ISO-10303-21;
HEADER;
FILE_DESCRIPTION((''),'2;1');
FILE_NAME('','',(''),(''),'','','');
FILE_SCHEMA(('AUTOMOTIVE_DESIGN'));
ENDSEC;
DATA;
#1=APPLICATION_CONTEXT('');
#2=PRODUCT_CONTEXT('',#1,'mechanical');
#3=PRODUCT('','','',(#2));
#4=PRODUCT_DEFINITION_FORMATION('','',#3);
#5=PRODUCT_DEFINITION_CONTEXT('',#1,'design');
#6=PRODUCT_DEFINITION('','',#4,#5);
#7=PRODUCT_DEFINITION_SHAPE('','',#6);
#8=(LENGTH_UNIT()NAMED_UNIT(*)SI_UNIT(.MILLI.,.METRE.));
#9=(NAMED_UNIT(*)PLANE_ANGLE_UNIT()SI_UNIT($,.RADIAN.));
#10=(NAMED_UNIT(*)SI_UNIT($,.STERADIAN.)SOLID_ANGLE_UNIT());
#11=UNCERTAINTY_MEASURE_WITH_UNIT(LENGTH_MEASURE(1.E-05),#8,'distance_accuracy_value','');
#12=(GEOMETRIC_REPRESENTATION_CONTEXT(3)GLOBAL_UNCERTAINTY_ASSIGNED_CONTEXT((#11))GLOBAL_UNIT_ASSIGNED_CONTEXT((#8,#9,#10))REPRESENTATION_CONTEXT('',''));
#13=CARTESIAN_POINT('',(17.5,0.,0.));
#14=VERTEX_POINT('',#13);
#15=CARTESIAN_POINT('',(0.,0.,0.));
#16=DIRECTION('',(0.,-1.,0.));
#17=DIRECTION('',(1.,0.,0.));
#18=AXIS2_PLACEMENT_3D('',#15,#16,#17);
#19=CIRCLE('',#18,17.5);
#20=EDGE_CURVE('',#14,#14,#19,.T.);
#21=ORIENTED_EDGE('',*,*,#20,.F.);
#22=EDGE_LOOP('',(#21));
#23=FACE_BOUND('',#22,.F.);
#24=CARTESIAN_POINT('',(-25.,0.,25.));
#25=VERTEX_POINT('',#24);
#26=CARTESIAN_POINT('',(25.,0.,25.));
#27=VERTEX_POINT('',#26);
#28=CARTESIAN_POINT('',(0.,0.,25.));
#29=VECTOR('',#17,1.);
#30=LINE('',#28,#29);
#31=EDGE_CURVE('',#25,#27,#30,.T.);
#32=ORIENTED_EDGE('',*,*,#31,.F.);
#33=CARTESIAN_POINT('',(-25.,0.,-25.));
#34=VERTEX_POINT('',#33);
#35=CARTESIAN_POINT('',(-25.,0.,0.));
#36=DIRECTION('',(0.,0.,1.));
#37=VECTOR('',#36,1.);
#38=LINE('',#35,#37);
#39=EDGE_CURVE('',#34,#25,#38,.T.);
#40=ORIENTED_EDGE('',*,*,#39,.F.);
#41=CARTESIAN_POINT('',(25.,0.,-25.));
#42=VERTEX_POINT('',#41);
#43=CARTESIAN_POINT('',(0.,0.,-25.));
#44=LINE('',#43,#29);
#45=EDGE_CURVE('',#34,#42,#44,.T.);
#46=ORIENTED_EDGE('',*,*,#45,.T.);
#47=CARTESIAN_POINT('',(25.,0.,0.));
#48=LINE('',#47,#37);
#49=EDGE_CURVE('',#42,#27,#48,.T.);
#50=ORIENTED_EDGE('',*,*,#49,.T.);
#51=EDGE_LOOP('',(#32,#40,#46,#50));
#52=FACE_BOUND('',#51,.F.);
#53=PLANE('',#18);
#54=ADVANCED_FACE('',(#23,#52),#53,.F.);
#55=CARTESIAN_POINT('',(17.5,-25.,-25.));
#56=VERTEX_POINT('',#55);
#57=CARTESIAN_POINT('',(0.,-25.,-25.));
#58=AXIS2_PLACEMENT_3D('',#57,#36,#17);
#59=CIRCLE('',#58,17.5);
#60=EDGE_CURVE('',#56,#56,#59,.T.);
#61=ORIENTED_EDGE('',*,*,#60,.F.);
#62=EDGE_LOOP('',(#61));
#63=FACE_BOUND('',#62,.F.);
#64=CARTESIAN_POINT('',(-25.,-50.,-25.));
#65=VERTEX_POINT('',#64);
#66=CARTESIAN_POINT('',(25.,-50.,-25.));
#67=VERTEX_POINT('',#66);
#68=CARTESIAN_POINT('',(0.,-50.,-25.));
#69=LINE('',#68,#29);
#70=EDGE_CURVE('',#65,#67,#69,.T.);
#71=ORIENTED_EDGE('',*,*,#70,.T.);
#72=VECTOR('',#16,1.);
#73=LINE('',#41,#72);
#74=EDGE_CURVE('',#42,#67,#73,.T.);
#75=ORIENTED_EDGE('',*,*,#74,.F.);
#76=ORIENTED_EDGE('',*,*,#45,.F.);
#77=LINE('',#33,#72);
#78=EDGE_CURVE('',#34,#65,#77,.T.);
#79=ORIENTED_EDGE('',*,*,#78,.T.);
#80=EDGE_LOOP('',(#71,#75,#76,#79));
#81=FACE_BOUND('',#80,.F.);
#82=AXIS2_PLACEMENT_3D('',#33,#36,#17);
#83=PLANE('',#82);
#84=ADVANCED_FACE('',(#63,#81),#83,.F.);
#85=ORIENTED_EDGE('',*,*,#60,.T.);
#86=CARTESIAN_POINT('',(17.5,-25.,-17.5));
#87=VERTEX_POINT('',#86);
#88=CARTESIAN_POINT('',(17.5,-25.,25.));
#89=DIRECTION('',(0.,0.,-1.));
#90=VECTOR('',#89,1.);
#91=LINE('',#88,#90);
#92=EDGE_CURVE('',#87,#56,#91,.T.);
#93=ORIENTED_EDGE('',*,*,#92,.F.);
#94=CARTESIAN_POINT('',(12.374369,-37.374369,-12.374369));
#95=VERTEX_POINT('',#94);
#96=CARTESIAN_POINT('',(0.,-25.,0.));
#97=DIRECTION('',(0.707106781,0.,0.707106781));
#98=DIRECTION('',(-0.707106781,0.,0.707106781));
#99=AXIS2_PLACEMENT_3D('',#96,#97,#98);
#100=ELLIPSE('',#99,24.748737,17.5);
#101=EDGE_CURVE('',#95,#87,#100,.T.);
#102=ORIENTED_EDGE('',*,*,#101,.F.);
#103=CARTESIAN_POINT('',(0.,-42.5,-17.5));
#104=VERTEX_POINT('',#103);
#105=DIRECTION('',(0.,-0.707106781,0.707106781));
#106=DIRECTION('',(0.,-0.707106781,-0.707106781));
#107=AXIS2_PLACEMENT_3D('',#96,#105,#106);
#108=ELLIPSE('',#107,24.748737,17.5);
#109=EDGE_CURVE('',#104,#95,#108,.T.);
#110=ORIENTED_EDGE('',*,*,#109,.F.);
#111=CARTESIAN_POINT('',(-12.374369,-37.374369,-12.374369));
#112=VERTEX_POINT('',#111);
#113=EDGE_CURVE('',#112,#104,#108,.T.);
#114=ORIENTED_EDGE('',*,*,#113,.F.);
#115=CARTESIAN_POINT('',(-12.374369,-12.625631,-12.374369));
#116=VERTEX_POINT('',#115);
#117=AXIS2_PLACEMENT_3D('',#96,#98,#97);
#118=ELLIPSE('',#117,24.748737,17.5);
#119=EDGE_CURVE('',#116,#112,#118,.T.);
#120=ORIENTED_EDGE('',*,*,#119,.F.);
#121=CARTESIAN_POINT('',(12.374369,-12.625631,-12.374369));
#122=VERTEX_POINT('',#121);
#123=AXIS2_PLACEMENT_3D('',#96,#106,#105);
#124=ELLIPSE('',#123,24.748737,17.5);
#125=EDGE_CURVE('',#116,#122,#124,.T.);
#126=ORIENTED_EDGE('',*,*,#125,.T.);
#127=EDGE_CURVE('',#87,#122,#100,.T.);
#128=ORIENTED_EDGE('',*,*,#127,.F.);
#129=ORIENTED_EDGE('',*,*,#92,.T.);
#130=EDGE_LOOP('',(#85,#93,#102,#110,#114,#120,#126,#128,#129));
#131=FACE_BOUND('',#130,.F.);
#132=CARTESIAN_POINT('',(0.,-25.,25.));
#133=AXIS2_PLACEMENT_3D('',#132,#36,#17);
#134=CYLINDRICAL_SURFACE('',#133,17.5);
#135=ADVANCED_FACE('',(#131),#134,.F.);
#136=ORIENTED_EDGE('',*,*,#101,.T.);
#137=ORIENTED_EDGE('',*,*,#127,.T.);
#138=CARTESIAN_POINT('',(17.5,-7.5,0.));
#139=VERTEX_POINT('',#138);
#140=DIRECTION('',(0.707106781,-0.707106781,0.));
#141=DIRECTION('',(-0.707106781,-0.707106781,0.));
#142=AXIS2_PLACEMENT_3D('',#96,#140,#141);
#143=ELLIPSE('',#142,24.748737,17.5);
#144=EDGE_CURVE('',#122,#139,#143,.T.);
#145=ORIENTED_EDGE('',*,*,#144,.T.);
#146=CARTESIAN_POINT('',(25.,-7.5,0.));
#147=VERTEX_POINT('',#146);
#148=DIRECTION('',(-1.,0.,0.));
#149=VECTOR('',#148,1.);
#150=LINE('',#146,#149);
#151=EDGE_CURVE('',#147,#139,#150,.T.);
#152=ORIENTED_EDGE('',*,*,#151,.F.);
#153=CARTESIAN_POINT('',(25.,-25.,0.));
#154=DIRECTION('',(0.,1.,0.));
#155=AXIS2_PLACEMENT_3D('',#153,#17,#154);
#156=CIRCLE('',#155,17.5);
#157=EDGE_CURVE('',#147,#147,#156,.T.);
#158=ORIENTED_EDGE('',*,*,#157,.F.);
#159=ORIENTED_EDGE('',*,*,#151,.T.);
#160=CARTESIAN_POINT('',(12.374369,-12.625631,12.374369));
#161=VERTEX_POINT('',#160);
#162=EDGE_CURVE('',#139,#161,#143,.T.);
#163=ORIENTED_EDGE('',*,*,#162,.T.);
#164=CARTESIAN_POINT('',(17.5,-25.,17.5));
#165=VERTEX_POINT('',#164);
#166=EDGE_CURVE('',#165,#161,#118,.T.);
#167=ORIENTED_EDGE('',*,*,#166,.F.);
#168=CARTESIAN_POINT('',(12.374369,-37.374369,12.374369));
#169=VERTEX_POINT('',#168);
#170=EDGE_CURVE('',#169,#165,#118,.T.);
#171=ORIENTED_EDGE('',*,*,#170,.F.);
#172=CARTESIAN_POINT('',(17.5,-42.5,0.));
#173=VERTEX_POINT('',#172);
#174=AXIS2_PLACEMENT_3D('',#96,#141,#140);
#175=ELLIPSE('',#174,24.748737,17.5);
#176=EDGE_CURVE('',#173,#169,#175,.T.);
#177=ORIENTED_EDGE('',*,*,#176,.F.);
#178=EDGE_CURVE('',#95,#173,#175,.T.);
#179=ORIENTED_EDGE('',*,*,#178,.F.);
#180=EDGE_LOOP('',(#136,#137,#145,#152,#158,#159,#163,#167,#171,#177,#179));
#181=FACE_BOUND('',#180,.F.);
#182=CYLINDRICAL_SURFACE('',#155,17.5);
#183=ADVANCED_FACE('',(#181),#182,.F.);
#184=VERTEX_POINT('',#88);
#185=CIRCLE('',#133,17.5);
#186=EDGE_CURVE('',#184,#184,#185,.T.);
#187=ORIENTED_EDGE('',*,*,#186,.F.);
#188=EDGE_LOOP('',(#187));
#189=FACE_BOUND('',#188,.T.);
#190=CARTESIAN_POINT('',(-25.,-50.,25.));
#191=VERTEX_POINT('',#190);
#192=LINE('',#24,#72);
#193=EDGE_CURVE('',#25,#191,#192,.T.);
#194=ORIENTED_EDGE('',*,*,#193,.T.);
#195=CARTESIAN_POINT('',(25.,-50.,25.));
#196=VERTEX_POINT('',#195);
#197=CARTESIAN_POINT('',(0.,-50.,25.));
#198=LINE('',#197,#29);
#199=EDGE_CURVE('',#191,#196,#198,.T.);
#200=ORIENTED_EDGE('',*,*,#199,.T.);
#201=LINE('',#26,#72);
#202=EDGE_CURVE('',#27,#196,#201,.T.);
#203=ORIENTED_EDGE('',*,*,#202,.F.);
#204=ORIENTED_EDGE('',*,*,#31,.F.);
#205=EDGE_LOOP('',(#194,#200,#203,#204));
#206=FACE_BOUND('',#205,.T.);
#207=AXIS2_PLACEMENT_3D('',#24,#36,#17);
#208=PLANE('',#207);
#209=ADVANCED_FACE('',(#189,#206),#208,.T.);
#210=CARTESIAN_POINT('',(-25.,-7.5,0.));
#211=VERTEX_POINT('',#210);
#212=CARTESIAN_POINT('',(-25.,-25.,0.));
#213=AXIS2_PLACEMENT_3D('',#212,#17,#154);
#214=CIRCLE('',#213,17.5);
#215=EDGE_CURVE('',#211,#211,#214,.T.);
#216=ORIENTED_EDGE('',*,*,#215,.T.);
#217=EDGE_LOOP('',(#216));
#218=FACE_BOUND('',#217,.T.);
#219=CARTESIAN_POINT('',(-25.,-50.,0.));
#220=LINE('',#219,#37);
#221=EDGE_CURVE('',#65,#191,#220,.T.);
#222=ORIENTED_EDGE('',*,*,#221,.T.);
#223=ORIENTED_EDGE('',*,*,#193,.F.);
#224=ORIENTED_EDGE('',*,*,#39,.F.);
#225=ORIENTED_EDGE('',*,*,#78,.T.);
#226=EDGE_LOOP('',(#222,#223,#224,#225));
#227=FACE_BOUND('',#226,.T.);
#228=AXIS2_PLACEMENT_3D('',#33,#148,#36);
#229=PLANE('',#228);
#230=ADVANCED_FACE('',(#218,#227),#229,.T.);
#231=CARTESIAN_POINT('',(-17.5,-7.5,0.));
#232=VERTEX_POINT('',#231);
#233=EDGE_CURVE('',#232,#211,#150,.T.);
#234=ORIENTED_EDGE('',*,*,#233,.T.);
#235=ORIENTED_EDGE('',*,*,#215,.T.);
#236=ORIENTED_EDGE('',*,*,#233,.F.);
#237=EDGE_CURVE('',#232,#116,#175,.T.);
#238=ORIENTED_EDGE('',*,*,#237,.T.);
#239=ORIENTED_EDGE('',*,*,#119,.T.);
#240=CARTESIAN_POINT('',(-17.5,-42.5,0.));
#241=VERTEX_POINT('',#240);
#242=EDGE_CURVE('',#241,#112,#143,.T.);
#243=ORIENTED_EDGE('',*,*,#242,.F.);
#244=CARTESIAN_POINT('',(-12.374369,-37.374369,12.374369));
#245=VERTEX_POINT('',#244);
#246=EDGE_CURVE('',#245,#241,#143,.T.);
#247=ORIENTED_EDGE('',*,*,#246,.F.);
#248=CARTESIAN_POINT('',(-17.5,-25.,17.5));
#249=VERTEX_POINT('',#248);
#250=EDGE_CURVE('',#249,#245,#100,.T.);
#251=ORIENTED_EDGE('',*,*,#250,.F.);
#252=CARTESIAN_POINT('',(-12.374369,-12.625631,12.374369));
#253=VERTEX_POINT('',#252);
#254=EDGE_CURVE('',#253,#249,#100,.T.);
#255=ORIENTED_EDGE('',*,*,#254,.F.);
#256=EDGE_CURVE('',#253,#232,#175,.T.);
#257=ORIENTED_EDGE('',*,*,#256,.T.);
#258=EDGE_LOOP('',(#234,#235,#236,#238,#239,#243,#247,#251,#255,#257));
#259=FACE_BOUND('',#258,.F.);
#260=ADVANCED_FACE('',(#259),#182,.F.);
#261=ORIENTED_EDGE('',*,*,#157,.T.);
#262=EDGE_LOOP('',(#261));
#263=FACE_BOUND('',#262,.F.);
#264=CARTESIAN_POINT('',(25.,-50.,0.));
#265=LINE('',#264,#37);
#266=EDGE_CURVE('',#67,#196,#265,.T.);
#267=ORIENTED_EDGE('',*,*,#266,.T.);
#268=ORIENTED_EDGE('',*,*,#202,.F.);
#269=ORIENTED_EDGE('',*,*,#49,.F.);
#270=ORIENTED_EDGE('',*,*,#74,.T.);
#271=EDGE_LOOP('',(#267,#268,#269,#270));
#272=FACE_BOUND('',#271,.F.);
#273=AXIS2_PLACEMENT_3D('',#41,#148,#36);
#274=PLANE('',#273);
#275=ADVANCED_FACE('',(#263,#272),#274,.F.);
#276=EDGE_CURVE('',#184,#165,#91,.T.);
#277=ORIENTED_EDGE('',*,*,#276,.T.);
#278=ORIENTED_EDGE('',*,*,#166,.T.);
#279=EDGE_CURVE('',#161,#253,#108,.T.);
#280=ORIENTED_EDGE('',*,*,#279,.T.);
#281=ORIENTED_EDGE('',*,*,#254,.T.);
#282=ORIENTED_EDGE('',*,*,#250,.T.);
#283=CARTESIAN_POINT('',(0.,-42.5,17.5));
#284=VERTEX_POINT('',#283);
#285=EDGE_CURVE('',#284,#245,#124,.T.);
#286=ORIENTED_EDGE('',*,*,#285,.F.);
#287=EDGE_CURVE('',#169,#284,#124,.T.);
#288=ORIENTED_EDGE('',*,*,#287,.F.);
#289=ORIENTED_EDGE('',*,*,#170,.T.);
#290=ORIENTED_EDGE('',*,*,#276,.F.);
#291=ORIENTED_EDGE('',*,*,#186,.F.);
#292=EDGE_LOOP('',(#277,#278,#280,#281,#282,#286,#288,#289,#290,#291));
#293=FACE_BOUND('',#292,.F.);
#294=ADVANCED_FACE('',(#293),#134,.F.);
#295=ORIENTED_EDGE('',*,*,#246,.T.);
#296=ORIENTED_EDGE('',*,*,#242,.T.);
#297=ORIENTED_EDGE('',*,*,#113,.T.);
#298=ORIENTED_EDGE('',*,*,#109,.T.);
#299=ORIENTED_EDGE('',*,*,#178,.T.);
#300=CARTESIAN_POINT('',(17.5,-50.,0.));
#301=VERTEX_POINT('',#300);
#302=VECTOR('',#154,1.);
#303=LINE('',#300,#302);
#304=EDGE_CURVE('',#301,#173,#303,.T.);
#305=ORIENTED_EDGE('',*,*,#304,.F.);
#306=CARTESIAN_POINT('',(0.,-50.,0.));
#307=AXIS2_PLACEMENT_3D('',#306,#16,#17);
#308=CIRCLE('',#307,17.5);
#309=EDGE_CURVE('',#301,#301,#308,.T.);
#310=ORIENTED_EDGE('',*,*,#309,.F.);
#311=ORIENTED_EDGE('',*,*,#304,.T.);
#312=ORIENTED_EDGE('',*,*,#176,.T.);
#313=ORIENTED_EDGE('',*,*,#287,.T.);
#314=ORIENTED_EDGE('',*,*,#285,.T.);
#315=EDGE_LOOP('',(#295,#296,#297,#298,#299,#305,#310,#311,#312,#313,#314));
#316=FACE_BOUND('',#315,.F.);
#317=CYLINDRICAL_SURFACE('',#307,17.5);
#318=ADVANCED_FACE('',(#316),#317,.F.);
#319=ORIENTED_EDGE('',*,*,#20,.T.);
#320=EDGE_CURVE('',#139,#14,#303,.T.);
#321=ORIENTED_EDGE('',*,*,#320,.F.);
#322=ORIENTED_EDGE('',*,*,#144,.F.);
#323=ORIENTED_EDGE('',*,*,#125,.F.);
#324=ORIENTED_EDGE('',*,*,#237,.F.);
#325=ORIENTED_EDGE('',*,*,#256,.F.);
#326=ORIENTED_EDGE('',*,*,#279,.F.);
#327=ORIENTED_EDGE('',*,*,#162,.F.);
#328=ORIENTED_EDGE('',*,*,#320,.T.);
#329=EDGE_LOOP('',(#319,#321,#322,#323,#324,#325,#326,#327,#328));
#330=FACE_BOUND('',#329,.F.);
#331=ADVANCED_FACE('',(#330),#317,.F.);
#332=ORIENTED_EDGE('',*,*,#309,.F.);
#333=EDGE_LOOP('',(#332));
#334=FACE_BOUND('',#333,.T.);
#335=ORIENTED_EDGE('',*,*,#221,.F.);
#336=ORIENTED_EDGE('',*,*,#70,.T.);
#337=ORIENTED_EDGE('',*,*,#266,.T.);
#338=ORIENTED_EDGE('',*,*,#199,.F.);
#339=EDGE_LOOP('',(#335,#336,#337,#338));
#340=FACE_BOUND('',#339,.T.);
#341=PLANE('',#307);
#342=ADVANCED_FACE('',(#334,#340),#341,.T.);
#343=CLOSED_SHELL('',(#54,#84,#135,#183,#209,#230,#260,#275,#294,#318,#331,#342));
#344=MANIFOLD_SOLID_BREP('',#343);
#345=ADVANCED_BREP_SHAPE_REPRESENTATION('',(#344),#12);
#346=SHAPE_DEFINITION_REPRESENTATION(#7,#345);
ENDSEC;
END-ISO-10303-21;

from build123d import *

# Parameters (mm, degrees)
F0_W     = 50
F0_H     = 50
F1_DEPTH = 50
F2_R     = 17.5
F3_DEPTH = 50.001
F4_R     = 17.5
F5_DEPTH = 50.001
F6_R     = 17.5
F7_DEPTH = 50.001


with BuildPart() as f1:
    # F0 (on Front) → F1 (new body)
    with BuildSketch(Plane.XZ):
        Rectangle(F0_W, F0_H)
    extrude(amount=F1_DEPTH)

    # F2 (on face) → F3 (cut, through all)
    with BuildSketch(Plane.XZ.offset(50)):
        Circle(F2_R)
    extrude(amount=-F3_DEPTH, mode=Mode.SUBTRACT)

    # F4 (on face) → F5 (cut, through all)
    with BuildSketch(Plane.XY.offset(25)):
        with Locations((0, -25)):
            Circle(F4_R)
    extrude(amount=-F5_DEPTH, mode=Mode.SUBTRACT)

    # F6 (on face) → F7 (cut, through all)
    with BuildSketch(Plane.YZ.offset(25)):
        with Locations((-25, 0)):
            Circle(F6_R)
    extrude(amount=-F7_DEPTH, mode=Mode.SUBTRACT)


solid = f1.part
